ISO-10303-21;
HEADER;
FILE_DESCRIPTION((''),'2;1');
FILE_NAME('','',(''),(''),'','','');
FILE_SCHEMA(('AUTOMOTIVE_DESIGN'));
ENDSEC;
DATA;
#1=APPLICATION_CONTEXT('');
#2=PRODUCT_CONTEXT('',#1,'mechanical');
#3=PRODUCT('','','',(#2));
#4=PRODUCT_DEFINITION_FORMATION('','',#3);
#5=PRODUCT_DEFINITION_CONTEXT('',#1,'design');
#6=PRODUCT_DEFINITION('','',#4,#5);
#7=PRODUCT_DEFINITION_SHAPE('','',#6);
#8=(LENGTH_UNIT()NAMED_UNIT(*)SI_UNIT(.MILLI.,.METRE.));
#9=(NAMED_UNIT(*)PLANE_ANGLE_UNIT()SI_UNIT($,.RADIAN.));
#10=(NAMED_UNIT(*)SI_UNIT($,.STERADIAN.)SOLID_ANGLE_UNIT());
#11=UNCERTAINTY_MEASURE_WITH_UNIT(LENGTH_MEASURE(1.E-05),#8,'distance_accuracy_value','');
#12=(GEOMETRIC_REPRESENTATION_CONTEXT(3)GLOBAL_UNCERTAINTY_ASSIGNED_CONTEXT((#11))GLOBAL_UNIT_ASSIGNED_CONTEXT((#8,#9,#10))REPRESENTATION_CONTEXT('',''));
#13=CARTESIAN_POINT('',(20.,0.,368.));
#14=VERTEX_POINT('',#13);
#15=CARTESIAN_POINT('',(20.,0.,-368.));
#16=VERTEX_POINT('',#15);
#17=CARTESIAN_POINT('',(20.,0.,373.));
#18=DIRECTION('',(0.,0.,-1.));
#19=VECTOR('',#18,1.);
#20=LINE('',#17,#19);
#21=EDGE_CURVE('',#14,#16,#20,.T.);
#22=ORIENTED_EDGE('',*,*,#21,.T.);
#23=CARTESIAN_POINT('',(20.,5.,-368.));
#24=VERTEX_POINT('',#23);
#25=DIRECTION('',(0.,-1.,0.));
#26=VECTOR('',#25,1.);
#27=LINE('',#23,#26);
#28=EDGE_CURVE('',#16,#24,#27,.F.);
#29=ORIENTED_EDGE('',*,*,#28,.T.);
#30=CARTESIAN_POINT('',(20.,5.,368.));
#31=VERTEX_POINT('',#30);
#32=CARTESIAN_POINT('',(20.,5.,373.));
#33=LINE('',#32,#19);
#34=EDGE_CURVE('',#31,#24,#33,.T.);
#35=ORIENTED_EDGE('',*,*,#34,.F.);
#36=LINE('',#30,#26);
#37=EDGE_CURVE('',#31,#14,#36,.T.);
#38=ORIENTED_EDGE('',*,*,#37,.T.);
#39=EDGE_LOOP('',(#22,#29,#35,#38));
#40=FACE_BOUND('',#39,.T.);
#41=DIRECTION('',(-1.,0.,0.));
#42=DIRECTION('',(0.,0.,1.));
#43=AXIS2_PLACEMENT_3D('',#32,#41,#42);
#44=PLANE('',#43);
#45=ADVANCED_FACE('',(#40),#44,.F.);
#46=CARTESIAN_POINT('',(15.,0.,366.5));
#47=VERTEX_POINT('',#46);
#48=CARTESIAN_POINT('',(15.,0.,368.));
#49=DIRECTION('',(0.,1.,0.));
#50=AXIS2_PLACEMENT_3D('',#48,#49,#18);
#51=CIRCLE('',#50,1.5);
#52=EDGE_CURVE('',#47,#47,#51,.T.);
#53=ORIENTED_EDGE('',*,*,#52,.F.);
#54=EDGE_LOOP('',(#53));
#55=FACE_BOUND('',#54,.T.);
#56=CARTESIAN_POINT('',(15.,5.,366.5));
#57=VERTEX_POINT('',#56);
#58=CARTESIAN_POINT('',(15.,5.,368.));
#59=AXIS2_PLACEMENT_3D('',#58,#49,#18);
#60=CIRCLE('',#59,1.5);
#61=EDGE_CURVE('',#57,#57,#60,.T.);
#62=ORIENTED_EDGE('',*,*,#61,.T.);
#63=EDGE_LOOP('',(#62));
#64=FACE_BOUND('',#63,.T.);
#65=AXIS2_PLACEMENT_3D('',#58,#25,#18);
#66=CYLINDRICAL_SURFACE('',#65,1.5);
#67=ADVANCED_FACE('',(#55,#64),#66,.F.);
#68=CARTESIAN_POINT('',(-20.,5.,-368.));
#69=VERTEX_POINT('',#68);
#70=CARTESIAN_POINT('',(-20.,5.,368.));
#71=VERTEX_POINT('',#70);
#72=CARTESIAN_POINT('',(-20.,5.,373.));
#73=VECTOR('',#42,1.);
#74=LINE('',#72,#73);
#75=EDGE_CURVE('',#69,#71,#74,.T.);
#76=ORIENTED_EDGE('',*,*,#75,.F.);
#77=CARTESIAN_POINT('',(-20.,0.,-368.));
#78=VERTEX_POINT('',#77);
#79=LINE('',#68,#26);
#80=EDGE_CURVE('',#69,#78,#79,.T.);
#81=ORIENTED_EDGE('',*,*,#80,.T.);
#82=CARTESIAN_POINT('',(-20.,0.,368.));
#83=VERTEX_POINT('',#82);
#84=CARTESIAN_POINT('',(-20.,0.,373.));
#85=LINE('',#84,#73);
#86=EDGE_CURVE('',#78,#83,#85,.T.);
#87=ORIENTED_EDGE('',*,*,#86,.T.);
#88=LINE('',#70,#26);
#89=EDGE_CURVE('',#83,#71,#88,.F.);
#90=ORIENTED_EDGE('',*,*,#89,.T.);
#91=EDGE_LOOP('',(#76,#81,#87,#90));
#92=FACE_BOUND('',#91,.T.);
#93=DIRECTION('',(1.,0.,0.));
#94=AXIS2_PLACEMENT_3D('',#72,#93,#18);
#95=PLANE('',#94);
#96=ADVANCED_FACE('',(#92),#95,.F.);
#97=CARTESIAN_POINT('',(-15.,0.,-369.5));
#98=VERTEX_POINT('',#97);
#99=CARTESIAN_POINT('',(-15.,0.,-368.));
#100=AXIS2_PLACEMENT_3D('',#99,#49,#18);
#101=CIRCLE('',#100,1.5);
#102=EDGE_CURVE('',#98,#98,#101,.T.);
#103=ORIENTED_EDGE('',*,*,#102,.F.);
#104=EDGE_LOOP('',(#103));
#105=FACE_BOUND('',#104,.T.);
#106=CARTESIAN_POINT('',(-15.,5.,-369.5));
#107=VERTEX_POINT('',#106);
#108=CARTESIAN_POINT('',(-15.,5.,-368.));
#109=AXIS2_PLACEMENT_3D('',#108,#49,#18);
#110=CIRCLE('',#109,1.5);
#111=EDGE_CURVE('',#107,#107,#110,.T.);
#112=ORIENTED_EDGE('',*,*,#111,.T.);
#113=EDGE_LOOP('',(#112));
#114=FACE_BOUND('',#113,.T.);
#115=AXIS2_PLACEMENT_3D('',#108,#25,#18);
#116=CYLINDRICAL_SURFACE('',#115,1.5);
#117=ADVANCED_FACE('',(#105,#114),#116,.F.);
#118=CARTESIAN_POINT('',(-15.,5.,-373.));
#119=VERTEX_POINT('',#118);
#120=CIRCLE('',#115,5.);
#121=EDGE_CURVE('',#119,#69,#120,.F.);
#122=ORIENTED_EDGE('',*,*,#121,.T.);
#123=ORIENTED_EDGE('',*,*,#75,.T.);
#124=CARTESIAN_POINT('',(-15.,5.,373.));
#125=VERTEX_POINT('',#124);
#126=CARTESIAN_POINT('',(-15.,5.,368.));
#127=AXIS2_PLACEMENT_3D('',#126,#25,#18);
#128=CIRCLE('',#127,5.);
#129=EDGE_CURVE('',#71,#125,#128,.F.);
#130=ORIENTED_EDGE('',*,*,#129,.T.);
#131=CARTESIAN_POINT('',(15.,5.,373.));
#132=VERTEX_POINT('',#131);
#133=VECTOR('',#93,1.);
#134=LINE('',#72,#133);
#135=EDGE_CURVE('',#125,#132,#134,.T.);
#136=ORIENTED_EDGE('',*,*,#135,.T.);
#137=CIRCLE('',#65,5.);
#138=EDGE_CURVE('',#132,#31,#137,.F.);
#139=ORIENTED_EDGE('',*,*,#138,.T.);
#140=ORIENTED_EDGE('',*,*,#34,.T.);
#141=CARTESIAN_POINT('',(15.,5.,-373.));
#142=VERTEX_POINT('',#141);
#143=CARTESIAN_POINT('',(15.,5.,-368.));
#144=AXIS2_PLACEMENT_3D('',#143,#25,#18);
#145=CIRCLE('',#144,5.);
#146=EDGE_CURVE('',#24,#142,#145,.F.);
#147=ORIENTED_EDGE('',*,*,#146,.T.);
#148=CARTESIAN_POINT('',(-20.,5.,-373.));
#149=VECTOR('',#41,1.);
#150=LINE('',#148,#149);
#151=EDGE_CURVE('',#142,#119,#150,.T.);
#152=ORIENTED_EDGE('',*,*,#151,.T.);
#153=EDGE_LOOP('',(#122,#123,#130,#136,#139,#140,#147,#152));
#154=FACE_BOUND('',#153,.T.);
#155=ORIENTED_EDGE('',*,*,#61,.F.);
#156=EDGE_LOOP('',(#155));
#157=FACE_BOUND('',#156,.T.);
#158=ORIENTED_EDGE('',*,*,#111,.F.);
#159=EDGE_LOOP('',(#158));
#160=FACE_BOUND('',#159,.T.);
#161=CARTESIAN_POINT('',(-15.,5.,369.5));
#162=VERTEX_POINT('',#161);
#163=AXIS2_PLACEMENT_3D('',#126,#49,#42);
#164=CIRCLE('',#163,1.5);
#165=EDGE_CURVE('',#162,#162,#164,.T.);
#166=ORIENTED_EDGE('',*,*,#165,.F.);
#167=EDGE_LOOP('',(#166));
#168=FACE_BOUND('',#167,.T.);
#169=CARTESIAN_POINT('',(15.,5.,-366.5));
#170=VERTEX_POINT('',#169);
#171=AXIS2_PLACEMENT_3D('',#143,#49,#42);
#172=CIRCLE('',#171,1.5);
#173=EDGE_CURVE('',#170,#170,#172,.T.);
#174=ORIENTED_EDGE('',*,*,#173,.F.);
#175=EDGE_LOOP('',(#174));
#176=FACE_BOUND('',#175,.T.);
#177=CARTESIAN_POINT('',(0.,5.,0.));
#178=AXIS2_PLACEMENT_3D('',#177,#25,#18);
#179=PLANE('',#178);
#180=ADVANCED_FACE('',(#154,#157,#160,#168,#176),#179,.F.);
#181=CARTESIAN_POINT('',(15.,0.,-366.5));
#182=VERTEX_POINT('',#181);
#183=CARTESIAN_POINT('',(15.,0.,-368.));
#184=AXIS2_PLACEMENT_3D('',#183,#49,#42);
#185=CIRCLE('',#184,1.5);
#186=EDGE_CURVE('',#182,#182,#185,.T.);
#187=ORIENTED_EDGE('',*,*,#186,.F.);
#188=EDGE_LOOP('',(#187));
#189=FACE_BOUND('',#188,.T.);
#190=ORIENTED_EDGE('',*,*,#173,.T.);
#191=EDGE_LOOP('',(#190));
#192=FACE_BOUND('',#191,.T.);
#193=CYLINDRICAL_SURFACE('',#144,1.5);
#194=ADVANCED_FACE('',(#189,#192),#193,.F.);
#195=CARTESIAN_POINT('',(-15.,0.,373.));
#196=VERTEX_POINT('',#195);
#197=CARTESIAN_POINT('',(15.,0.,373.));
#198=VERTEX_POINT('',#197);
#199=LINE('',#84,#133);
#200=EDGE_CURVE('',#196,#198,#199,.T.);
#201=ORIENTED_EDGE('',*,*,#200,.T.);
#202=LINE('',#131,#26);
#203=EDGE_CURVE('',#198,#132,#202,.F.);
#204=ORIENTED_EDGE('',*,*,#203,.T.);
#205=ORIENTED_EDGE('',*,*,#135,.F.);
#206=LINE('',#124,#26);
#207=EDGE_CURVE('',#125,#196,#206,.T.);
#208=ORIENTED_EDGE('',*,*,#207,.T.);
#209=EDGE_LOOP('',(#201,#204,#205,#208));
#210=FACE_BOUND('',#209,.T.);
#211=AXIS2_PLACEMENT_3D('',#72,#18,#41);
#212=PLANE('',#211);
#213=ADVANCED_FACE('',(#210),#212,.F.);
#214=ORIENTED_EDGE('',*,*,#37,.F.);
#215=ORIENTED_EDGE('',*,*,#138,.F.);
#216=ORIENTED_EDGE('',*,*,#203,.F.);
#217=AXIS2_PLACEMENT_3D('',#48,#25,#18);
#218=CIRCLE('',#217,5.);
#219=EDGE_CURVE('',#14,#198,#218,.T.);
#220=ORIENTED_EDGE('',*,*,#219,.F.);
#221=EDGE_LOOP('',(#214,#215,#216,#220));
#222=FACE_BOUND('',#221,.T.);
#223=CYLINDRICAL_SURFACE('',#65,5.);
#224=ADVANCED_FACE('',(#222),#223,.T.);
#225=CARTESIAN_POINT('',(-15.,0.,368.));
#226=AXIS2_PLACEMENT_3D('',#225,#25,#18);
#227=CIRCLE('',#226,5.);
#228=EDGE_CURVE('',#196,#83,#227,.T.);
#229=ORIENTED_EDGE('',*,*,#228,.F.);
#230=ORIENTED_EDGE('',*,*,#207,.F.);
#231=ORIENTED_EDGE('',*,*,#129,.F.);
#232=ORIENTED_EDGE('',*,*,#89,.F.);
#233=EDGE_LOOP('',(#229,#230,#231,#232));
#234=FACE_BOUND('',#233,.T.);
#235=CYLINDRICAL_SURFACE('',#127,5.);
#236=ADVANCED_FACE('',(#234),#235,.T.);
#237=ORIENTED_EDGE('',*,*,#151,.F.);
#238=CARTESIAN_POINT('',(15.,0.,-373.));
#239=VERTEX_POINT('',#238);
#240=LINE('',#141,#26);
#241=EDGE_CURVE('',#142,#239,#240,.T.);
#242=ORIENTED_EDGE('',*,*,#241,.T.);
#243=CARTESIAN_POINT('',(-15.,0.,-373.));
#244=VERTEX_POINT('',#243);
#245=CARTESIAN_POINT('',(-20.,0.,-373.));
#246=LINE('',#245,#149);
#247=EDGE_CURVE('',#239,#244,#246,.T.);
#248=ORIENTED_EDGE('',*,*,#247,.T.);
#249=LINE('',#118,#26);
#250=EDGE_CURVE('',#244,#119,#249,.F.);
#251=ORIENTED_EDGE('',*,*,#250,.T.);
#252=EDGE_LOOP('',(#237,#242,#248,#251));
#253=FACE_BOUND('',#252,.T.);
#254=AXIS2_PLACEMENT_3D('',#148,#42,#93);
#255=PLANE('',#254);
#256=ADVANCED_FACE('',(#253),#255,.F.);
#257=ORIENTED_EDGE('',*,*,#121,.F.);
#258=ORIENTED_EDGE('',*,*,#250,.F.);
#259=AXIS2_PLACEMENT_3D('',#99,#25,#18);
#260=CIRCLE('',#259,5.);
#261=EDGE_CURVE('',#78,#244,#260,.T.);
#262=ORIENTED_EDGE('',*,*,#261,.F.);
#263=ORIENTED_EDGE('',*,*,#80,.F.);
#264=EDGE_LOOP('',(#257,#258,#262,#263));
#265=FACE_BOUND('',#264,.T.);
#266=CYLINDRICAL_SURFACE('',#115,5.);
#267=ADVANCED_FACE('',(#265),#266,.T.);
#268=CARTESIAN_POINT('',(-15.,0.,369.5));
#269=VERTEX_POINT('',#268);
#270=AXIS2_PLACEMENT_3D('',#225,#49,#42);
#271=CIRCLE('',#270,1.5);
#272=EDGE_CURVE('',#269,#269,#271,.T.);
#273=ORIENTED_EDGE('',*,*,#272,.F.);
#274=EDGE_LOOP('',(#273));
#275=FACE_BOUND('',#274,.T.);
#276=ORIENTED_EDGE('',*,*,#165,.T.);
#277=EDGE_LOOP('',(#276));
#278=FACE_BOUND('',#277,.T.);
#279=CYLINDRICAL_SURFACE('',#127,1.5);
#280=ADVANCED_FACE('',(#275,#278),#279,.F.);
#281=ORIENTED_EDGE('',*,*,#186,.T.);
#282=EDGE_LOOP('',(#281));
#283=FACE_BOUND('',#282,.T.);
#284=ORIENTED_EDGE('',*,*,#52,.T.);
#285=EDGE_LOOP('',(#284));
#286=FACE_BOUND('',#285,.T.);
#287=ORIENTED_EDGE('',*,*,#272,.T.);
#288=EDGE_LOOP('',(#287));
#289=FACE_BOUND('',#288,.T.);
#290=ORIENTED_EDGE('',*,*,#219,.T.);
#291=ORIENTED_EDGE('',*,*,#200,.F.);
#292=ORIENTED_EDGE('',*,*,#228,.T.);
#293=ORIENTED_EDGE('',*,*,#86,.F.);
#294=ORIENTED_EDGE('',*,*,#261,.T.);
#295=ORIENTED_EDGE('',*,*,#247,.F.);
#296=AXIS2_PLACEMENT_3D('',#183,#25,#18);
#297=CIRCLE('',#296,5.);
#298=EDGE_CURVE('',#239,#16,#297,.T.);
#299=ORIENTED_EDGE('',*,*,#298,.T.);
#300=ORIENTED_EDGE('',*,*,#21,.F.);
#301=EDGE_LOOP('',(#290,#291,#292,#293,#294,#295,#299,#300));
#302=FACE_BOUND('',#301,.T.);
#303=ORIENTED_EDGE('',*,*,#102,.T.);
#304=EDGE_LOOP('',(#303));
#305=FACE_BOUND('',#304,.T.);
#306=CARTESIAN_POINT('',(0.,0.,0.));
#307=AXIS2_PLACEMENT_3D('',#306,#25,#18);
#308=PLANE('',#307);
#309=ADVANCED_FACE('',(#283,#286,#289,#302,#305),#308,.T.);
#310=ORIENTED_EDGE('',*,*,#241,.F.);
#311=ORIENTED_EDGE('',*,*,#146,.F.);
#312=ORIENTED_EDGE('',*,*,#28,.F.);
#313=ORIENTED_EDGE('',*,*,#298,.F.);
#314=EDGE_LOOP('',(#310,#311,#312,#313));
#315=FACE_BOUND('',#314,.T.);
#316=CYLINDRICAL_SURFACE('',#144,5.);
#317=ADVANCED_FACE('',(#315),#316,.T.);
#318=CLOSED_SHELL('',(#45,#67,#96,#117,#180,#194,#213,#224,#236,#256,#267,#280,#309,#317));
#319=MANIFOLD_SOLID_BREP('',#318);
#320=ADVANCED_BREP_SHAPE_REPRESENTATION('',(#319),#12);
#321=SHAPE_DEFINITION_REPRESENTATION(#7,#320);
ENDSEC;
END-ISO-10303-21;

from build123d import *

# Parameters (mm, degrees)
SKETCH_1_W      = 40
SKETCH_1_H      = 746
SKETCH_1_R      = 1.5
EXTRUDE_1_DEPTH = 5
FILLET_1_R      = 5


with BuildPart() as part:
    # ｽｹｯﾁ1 → ﾎﾞｽ - 押し出し1 (new body)
    with BuildSketch(Plane(origin=(0, 0, 0), x_dir=(1, 0, 0), z_dir=(0, 1, 0))):
        Rectangle(SKETCH_1_W, SKETCH_1_H)
        with Locations(Location((15, 368, 0), (0, 0, 270))):
            Circle(SKETCH_1_R, mode=Mode.SUBTRACT)
        with Locations(Location((-15, 368, 0), (0, 0, 90))):
            Circle(SKETCH_1_R, mode=Mode.SUBTRACT)
        with Locations(Location((-15, -368, 0), (0, 0, 270))):
            Circle(SKETCH_1_R, mode=Mode.SUBTRACT)
        with Locations(Location((15, -368, 0), (0, 0, 90))):
            Circle(SKETCH_1_R, mode=Mode.SUBTRACT)
    extrude(amount=EXTRUDE_1_DEPTH)

    # ﾌｨﾚｯﾄ1
    fillet_1_edges = [part.edges().sort_by_distance(p)[0] for p in [
        (20, 2.5, 373),
        (-20, 2.5, 373),
        (-20, 2.5, -373),
        (20, 2.5, -373),
    ]]
    fillet(fillet_1_edges, radius=FILLET_1_R)


solid = part.part
